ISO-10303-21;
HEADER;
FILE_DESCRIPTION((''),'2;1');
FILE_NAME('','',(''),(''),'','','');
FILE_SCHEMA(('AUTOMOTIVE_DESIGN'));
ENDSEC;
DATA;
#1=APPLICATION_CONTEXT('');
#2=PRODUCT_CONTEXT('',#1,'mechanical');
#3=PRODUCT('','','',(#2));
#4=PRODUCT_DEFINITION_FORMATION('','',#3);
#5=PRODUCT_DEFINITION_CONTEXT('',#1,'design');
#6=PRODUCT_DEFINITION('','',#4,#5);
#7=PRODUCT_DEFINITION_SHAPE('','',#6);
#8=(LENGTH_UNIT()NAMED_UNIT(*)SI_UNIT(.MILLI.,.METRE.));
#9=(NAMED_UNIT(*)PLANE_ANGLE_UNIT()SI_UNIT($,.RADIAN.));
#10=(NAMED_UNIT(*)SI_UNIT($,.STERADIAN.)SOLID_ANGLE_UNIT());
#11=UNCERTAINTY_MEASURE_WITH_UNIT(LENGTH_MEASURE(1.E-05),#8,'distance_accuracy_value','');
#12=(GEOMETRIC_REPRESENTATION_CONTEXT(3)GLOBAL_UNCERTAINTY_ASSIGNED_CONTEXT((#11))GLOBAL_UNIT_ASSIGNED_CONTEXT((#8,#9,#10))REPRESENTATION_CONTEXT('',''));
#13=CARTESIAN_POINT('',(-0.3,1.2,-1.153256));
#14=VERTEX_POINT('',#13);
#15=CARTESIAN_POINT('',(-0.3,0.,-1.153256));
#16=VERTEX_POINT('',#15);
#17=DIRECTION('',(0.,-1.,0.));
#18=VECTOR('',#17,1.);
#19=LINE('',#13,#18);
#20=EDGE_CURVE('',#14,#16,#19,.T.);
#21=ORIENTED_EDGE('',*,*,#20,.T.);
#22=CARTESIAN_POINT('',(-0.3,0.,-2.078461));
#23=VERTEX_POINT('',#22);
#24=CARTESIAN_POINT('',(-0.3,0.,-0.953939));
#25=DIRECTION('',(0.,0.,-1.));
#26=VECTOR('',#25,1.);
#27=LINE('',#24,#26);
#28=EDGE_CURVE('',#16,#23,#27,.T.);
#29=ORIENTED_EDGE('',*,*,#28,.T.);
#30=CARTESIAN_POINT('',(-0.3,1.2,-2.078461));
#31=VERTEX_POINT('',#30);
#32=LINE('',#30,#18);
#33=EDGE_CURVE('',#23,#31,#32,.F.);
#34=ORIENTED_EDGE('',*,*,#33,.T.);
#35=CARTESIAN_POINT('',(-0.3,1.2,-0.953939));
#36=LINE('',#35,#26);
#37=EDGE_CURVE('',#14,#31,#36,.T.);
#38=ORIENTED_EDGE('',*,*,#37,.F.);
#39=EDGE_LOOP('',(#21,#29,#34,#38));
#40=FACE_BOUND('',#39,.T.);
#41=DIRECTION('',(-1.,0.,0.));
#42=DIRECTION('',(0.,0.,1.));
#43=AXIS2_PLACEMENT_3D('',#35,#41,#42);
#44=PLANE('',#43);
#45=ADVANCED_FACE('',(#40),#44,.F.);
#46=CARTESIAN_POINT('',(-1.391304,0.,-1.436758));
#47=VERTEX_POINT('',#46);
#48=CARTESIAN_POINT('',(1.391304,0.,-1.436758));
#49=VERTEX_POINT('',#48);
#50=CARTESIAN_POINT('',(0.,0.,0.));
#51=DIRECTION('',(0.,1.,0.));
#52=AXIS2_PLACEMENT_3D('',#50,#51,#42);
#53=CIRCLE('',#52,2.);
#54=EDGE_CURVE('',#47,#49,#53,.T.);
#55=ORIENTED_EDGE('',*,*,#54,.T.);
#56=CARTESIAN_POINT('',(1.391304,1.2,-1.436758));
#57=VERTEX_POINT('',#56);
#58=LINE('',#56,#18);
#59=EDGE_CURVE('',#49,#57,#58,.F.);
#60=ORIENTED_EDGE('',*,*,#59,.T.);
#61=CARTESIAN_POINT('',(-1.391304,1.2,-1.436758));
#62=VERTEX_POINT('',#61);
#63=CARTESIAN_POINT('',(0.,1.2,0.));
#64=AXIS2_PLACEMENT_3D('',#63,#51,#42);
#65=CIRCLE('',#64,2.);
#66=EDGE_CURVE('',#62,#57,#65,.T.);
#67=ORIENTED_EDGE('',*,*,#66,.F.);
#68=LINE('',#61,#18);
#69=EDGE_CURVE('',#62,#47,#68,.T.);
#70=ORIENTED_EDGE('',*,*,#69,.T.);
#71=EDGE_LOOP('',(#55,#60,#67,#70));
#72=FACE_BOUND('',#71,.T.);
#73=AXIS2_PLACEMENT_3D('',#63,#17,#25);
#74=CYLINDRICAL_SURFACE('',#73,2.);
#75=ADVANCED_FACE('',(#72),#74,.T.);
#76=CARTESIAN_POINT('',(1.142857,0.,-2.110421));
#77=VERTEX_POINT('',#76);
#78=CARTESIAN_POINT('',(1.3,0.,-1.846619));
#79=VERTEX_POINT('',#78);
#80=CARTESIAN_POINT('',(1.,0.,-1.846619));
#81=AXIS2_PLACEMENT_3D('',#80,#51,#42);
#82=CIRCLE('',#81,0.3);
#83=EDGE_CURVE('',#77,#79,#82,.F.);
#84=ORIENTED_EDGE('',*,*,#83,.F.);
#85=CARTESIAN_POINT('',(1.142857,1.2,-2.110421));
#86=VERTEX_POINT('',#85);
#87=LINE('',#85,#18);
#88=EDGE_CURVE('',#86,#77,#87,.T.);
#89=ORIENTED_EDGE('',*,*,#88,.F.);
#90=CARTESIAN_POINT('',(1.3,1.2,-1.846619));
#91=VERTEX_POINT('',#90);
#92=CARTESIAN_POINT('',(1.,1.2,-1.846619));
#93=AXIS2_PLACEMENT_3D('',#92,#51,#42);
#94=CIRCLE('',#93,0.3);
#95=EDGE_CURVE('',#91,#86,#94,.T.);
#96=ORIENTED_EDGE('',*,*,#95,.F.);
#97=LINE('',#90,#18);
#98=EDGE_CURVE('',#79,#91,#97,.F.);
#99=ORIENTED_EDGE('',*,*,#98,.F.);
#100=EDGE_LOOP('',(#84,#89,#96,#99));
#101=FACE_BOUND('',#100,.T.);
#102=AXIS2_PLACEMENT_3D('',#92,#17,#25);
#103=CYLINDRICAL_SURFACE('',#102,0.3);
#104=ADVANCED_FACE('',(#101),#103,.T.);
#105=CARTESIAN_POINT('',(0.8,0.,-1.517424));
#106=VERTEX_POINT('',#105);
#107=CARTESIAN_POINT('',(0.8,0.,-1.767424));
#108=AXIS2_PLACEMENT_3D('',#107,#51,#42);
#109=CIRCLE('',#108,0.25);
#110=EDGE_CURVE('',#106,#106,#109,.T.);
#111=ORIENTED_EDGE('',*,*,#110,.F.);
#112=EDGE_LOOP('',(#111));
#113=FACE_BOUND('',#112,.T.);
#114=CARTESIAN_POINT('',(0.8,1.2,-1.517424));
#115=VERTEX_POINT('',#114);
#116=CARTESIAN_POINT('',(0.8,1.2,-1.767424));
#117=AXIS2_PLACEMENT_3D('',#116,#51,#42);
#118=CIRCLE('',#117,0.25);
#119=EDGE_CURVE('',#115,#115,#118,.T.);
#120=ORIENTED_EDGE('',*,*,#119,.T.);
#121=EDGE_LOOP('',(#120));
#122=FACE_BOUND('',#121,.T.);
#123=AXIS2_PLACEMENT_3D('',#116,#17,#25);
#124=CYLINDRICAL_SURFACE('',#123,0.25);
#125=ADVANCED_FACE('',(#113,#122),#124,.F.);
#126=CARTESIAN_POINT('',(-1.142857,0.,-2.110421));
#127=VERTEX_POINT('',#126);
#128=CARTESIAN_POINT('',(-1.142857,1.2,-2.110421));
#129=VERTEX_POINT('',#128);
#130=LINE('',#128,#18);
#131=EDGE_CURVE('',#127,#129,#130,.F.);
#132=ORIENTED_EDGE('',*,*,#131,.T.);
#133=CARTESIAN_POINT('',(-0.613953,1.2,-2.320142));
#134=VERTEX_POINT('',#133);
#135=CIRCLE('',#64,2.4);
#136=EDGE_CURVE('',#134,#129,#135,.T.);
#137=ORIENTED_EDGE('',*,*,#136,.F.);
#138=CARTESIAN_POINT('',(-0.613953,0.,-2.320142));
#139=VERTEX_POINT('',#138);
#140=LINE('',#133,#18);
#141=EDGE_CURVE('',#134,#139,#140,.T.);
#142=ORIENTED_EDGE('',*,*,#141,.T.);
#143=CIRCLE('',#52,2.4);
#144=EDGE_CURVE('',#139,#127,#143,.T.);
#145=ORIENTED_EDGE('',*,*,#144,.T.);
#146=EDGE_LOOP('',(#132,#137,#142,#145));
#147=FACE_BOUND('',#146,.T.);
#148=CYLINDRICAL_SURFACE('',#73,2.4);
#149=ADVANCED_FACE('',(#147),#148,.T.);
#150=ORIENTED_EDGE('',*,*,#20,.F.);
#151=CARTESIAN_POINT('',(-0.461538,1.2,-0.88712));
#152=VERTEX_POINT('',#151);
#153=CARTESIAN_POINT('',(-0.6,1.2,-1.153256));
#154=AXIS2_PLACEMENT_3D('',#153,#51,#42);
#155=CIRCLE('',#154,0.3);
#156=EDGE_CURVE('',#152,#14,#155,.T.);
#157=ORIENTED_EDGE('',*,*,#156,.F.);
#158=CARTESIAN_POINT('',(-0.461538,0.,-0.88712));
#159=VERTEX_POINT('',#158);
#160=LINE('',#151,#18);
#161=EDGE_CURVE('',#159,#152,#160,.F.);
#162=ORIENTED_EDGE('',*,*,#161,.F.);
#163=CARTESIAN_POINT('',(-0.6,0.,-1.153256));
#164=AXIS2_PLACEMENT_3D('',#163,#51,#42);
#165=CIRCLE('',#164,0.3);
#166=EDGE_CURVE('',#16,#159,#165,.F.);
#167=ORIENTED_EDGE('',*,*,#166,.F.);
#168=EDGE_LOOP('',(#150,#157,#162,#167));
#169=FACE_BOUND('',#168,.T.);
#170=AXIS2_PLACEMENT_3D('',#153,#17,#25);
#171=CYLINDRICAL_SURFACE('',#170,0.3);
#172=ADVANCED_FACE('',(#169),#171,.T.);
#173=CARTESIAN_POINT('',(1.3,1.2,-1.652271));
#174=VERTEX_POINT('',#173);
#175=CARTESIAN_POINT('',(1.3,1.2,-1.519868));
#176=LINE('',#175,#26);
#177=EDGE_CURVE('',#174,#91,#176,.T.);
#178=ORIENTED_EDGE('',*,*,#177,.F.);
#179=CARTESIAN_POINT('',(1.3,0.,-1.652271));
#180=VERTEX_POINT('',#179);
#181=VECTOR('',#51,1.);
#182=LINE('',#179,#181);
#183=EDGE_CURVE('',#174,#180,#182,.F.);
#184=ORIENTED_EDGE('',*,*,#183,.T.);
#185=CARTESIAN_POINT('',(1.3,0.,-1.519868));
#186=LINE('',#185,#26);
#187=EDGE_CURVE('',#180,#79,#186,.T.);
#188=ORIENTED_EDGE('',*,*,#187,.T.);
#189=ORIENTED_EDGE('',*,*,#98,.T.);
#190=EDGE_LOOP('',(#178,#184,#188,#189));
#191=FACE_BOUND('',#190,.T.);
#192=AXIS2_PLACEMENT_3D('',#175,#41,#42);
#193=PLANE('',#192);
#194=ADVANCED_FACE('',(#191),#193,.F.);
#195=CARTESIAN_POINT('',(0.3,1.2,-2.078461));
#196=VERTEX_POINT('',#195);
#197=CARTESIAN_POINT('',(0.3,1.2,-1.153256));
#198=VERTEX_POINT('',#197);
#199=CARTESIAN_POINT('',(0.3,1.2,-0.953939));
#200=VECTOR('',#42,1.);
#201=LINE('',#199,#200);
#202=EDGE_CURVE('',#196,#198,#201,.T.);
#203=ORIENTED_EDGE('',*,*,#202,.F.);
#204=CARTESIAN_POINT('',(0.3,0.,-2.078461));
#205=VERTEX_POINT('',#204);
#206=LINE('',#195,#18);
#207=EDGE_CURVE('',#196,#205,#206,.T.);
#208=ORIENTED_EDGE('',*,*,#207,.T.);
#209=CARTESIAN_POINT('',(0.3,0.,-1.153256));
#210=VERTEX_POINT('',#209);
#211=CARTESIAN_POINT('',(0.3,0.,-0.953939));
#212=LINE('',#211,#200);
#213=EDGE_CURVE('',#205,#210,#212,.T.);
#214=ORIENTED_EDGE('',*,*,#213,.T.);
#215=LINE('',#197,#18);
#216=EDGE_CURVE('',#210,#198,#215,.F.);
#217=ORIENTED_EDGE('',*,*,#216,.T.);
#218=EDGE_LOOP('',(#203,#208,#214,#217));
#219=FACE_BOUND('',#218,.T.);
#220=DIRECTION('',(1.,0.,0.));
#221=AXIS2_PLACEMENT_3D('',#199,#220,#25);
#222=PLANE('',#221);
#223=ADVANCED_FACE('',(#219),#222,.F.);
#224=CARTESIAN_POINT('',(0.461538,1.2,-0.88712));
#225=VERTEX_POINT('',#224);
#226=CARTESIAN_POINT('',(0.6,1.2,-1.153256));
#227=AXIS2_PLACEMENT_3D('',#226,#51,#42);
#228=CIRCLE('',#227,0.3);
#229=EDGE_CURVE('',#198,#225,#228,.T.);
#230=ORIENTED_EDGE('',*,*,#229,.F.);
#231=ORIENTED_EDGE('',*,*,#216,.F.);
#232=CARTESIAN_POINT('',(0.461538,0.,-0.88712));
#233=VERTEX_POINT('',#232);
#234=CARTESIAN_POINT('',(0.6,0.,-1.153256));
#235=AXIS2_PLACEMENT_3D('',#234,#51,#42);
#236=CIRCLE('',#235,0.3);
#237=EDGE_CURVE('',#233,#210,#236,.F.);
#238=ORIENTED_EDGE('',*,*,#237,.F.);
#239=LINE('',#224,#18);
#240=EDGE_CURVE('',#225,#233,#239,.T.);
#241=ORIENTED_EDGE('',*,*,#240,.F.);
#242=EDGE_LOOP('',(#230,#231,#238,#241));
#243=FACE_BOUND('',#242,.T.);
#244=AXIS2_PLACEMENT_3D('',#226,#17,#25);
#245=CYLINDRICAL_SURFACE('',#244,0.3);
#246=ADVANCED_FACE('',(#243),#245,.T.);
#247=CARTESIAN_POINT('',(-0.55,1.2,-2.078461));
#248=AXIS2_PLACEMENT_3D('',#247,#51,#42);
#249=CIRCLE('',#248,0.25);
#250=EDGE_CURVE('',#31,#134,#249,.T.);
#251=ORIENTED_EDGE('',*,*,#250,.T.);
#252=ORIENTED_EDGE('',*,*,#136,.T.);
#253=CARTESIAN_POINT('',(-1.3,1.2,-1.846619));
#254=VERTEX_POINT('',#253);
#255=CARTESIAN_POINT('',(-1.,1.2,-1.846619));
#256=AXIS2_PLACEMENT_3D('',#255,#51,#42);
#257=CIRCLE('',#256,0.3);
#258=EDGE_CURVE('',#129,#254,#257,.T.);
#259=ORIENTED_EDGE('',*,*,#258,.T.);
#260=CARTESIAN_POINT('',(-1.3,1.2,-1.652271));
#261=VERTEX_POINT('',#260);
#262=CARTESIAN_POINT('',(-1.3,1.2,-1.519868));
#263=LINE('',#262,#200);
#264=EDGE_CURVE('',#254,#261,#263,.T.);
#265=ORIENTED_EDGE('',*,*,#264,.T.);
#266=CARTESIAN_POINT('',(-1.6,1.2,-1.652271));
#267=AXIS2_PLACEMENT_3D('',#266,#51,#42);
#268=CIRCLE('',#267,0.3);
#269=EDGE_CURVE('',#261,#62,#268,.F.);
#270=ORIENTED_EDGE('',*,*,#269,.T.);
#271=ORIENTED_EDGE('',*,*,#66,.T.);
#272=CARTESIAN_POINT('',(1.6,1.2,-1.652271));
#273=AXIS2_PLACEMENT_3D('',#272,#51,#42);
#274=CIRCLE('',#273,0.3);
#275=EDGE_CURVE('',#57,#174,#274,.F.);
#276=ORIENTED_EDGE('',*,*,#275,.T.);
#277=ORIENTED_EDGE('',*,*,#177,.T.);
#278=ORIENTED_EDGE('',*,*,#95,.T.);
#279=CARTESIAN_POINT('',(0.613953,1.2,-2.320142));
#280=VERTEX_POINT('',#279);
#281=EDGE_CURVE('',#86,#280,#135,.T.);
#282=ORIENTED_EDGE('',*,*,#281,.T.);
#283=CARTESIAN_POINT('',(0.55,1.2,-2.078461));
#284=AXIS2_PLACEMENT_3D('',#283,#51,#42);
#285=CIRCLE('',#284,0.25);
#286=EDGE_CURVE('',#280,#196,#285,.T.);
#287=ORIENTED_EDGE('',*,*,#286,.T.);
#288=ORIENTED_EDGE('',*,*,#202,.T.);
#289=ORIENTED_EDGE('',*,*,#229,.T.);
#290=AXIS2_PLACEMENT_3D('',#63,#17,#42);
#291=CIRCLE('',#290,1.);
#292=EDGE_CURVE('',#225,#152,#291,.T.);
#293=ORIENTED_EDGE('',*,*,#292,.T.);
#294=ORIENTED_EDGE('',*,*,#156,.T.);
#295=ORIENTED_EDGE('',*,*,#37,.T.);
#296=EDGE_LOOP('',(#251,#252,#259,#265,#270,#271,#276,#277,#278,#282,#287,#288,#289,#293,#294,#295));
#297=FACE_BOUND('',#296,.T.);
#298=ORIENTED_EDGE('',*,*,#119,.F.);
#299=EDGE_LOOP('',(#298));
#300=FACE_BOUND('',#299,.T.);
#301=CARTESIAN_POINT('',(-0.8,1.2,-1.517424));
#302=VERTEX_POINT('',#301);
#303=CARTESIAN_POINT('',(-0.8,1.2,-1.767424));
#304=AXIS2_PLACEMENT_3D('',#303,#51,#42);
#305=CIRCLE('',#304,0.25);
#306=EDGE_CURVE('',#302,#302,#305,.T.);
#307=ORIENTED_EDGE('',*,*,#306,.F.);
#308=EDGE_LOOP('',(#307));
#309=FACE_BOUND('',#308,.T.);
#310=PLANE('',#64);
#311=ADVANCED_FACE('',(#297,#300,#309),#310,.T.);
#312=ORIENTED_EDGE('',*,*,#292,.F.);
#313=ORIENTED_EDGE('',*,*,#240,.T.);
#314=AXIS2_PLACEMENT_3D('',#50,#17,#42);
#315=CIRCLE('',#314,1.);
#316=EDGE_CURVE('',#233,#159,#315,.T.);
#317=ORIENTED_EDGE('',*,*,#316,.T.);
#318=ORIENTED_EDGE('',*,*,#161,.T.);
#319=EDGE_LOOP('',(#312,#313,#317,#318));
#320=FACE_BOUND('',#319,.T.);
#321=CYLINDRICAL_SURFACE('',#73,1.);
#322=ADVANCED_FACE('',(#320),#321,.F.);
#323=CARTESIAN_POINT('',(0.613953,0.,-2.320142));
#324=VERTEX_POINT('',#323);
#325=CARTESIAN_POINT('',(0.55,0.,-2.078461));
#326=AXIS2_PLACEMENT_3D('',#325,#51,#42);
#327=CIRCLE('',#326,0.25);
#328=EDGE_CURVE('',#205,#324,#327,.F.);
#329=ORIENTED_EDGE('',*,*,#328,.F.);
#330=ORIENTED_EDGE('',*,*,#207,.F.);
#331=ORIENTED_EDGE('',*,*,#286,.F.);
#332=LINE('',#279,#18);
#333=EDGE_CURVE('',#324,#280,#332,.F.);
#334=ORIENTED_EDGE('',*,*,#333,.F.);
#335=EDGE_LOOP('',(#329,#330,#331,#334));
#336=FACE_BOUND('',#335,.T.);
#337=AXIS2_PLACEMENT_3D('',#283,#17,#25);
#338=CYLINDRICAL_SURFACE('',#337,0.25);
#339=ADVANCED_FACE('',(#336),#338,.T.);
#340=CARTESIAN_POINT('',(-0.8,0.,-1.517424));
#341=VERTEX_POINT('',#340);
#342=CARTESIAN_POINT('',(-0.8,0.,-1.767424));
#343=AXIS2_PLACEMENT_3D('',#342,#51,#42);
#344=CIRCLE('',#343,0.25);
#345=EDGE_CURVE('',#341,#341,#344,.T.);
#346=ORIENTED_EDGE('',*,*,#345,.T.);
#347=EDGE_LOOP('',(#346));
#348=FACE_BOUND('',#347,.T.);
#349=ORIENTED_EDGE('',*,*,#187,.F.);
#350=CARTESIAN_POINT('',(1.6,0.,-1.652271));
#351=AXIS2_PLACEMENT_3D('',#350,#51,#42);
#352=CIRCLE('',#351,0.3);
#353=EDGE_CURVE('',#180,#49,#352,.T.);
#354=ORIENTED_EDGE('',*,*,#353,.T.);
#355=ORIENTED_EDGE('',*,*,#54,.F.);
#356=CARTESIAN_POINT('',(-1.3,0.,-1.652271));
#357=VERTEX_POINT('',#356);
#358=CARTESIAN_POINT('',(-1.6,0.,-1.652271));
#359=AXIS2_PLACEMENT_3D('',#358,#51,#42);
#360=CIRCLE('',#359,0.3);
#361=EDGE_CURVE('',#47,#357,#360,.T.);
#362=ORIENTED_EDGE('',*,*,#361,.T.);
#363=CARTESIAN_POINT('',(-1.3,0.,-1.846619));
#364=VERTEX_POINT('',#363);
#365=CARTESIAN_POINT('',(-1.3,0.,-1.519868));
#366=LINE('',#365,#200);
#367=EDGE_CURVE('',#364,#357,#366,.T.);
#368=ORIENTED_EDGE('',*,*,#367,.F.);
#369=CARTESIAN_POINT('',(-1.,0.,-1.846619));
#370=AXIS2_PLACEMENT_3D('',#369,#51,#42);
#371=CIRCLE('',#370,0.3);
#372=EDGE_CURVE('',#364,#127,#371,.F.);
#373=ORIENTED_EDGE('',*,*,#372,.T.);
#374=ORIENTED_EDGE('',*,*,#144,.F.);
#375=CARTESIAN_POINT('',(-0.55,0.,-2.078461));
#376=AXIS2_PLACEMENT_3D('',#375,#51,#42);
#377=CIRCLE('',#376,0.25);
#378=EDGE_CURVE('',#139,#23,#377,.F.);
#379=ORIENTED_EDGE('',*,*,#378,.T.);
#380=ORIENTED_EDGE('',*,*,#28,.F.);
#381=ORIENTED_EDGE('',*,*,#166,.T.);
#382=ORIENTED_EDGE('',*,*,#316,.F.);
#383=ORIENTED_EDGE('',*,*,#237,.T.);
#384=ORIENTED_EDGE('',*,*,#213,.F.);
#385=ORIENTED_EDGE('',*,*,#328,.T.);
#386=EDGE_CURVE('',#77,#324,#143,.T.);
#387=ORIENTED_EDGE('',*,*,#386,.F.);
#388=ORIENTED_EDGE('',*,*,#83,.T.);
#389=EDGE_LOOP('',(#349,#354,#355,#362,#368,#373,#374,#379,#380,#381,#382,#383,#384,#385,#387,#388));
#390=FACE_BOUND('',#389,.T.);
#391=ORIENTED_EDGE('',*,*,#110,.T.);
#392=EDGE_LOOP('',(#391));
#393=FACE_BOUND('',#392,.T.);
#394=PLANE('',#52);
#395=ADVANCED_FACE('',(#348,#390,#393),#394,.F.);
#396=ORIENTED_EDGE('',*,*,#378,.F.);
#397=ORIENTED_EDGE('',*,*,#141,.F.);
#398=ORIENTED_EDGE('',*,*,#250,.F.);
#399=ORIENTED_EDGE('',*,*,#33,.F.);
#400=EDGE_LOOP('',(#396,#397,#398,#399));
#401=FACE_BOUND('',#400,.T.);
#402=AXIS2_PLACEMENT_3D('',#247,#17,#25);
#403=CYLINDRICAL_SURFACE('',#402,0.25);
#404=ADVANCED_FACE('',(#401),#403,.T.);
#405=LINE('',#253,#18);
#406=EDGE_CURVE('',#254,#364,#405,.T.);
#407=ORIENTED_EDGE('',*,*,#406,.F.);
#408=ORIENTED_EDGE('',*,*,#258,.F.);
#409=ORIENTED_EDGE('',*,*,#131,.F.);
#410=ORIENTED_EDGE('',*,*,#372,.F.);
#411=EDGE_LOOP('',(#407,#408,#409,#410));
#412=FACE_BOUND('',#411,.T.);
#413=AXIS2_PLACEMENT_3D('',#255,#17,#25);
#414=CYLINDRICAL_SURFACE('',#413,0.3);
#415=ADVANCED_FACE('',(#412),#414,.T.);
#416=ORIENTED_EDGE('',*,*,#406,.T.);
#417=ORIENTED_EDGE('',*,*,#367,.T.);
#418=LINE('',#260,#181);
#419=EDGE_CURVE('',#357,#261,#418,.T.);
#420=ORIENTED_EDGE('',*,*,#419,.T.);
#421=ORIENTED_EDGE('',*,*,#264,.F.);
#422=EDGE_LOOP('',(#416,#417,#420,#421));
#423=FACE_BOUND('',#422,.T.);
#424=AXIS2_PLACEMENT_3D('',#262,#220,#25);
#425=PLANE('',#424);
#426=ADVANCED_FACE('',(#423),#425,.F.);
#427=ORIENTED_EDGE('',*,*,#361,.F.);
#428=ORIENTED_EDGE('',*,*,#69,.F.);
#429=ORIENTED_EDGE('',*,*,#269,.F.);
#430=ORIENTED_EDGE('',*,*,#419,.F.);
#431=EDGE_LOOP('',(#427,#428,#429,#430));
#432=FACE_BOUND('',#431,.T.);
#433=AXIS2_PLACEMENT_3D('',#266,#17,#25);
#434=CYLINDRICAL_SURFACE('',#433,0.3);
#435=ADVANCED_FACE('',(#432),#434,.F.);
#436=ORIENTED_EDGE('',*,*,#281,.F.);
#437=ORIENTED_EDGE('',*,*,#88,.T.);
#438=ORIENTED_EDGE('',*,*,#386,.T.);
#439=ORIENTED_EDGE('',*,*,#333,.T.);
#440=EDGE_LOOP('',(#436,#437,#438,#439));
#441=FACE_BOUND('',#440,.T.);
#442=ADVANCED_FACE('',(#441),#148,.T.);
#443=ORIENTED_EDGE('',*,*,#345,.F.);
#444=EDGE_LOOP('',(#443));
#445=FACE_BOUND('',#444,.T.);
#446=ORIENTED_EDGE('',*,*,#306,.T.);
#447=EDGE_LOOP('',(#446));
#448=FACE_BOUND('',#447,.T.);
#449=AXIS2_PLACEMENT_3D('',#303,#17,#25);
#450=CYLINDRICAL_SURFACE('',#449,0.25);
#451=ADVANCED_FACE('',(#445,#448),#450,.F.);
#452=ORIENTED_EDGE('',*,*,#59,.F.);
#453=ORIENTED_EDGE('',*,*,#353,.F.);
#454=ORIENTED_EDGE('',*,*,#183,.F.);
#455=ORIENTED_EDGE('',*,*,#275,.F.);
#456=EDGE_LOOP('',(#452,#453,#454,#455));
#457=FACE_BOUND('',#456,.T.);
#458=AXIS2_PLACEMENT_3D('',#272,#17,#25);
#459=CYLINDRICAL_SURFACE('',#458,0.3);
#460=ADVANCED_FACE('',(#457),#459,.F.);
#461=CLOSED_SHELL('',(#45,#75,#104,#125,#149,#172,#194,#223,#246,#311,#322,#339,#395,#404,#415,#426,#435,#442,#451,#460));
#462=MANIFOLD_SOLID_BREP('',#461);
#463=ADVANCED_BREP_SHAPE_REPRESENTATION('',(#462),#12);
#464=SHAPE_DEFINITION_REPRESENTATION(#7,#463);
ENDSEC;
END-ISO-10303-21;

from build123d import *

# Parameters (mm, degrees)
SKETCH1_R           = 0.25
BOSS_EXTRUDE1_DEPTH = 1.2
FILLET1_R           = 0.3
FILLET2_R           = 0.25


with BuildPart() as part:
    # Sketch1 → Boss-Extrude1 (new body)
    with BuildSketch(Plane(origin=(0, 0, 0), x_dir=(1, 0, 0), z_dir=(0, 1, 0))):
        with BuildLine():
            Line((-0.3, 0.953939201), (-0.3, 2.38117618))
            ThreePointArc((-0.3, 2.38117618), (-0.820413855, 2.255420383), (-1.3, 2.0174241))
            Line((-1.3, 2.0174241), (-1.3, 1.519868415))
            ThreePointArc((-1.3, 1.519868415), (0, -2), (1.3, 1.519868415))
            Line((1.3, 1.519868415), (1.3, 2.0174241))
            ThreePointArc((1.3, 2.0174241), (0.820413855, 2.255420383), (0.3, 2.38117618))
            Line((0.3, 2.38117618), (0.3, 0.953939201))
            ThreePointArc((0.3, 0.953939201), (0, -1), (-0.3, 0.953939201))
        make_face()
        with Locations(Location((-0.8, 1.7674241, 0), (0, 0, 270))):
            Circle(SKETCH1_R, mode=Mode.SUBTRACT)
        with Locations(Location((0.8, 1.7674241, 0), (0, 0, 270))):
            Circle(SKETCH1_R, mode=Mode.SUBTRACT)
    extrude(amount=BOSS_EXTRUDE1_DEPTH)

    # Fillet1
    fillet1_edges = [part.edges().sort_by_distance(p)[0] for p in [
        (0.3, 0.6, -0.953939201),
        (1.3, 0.6, -2.0174241),
        (1.3, 0.6, -1.519868415),
        (-1.3, 0.6, -1.519868415),
        (-1.3, 0.6, -2.0174241),
        (-0.3, 0.6, -0.953939201),
    ]]
    fillet(fillet1_edges, radius=FILLET1_R)

    # Fillet2
    fillet2_edges = [part.edges().sort_by_distance(p)[0] for p in [
        (0.3, 0.6, -2.38117618),
        (-0.3, 0.6, -2.38117618),
    ]]
    fillet(fillet2_edges, radius=FILLET2_R)


solid = part.part
